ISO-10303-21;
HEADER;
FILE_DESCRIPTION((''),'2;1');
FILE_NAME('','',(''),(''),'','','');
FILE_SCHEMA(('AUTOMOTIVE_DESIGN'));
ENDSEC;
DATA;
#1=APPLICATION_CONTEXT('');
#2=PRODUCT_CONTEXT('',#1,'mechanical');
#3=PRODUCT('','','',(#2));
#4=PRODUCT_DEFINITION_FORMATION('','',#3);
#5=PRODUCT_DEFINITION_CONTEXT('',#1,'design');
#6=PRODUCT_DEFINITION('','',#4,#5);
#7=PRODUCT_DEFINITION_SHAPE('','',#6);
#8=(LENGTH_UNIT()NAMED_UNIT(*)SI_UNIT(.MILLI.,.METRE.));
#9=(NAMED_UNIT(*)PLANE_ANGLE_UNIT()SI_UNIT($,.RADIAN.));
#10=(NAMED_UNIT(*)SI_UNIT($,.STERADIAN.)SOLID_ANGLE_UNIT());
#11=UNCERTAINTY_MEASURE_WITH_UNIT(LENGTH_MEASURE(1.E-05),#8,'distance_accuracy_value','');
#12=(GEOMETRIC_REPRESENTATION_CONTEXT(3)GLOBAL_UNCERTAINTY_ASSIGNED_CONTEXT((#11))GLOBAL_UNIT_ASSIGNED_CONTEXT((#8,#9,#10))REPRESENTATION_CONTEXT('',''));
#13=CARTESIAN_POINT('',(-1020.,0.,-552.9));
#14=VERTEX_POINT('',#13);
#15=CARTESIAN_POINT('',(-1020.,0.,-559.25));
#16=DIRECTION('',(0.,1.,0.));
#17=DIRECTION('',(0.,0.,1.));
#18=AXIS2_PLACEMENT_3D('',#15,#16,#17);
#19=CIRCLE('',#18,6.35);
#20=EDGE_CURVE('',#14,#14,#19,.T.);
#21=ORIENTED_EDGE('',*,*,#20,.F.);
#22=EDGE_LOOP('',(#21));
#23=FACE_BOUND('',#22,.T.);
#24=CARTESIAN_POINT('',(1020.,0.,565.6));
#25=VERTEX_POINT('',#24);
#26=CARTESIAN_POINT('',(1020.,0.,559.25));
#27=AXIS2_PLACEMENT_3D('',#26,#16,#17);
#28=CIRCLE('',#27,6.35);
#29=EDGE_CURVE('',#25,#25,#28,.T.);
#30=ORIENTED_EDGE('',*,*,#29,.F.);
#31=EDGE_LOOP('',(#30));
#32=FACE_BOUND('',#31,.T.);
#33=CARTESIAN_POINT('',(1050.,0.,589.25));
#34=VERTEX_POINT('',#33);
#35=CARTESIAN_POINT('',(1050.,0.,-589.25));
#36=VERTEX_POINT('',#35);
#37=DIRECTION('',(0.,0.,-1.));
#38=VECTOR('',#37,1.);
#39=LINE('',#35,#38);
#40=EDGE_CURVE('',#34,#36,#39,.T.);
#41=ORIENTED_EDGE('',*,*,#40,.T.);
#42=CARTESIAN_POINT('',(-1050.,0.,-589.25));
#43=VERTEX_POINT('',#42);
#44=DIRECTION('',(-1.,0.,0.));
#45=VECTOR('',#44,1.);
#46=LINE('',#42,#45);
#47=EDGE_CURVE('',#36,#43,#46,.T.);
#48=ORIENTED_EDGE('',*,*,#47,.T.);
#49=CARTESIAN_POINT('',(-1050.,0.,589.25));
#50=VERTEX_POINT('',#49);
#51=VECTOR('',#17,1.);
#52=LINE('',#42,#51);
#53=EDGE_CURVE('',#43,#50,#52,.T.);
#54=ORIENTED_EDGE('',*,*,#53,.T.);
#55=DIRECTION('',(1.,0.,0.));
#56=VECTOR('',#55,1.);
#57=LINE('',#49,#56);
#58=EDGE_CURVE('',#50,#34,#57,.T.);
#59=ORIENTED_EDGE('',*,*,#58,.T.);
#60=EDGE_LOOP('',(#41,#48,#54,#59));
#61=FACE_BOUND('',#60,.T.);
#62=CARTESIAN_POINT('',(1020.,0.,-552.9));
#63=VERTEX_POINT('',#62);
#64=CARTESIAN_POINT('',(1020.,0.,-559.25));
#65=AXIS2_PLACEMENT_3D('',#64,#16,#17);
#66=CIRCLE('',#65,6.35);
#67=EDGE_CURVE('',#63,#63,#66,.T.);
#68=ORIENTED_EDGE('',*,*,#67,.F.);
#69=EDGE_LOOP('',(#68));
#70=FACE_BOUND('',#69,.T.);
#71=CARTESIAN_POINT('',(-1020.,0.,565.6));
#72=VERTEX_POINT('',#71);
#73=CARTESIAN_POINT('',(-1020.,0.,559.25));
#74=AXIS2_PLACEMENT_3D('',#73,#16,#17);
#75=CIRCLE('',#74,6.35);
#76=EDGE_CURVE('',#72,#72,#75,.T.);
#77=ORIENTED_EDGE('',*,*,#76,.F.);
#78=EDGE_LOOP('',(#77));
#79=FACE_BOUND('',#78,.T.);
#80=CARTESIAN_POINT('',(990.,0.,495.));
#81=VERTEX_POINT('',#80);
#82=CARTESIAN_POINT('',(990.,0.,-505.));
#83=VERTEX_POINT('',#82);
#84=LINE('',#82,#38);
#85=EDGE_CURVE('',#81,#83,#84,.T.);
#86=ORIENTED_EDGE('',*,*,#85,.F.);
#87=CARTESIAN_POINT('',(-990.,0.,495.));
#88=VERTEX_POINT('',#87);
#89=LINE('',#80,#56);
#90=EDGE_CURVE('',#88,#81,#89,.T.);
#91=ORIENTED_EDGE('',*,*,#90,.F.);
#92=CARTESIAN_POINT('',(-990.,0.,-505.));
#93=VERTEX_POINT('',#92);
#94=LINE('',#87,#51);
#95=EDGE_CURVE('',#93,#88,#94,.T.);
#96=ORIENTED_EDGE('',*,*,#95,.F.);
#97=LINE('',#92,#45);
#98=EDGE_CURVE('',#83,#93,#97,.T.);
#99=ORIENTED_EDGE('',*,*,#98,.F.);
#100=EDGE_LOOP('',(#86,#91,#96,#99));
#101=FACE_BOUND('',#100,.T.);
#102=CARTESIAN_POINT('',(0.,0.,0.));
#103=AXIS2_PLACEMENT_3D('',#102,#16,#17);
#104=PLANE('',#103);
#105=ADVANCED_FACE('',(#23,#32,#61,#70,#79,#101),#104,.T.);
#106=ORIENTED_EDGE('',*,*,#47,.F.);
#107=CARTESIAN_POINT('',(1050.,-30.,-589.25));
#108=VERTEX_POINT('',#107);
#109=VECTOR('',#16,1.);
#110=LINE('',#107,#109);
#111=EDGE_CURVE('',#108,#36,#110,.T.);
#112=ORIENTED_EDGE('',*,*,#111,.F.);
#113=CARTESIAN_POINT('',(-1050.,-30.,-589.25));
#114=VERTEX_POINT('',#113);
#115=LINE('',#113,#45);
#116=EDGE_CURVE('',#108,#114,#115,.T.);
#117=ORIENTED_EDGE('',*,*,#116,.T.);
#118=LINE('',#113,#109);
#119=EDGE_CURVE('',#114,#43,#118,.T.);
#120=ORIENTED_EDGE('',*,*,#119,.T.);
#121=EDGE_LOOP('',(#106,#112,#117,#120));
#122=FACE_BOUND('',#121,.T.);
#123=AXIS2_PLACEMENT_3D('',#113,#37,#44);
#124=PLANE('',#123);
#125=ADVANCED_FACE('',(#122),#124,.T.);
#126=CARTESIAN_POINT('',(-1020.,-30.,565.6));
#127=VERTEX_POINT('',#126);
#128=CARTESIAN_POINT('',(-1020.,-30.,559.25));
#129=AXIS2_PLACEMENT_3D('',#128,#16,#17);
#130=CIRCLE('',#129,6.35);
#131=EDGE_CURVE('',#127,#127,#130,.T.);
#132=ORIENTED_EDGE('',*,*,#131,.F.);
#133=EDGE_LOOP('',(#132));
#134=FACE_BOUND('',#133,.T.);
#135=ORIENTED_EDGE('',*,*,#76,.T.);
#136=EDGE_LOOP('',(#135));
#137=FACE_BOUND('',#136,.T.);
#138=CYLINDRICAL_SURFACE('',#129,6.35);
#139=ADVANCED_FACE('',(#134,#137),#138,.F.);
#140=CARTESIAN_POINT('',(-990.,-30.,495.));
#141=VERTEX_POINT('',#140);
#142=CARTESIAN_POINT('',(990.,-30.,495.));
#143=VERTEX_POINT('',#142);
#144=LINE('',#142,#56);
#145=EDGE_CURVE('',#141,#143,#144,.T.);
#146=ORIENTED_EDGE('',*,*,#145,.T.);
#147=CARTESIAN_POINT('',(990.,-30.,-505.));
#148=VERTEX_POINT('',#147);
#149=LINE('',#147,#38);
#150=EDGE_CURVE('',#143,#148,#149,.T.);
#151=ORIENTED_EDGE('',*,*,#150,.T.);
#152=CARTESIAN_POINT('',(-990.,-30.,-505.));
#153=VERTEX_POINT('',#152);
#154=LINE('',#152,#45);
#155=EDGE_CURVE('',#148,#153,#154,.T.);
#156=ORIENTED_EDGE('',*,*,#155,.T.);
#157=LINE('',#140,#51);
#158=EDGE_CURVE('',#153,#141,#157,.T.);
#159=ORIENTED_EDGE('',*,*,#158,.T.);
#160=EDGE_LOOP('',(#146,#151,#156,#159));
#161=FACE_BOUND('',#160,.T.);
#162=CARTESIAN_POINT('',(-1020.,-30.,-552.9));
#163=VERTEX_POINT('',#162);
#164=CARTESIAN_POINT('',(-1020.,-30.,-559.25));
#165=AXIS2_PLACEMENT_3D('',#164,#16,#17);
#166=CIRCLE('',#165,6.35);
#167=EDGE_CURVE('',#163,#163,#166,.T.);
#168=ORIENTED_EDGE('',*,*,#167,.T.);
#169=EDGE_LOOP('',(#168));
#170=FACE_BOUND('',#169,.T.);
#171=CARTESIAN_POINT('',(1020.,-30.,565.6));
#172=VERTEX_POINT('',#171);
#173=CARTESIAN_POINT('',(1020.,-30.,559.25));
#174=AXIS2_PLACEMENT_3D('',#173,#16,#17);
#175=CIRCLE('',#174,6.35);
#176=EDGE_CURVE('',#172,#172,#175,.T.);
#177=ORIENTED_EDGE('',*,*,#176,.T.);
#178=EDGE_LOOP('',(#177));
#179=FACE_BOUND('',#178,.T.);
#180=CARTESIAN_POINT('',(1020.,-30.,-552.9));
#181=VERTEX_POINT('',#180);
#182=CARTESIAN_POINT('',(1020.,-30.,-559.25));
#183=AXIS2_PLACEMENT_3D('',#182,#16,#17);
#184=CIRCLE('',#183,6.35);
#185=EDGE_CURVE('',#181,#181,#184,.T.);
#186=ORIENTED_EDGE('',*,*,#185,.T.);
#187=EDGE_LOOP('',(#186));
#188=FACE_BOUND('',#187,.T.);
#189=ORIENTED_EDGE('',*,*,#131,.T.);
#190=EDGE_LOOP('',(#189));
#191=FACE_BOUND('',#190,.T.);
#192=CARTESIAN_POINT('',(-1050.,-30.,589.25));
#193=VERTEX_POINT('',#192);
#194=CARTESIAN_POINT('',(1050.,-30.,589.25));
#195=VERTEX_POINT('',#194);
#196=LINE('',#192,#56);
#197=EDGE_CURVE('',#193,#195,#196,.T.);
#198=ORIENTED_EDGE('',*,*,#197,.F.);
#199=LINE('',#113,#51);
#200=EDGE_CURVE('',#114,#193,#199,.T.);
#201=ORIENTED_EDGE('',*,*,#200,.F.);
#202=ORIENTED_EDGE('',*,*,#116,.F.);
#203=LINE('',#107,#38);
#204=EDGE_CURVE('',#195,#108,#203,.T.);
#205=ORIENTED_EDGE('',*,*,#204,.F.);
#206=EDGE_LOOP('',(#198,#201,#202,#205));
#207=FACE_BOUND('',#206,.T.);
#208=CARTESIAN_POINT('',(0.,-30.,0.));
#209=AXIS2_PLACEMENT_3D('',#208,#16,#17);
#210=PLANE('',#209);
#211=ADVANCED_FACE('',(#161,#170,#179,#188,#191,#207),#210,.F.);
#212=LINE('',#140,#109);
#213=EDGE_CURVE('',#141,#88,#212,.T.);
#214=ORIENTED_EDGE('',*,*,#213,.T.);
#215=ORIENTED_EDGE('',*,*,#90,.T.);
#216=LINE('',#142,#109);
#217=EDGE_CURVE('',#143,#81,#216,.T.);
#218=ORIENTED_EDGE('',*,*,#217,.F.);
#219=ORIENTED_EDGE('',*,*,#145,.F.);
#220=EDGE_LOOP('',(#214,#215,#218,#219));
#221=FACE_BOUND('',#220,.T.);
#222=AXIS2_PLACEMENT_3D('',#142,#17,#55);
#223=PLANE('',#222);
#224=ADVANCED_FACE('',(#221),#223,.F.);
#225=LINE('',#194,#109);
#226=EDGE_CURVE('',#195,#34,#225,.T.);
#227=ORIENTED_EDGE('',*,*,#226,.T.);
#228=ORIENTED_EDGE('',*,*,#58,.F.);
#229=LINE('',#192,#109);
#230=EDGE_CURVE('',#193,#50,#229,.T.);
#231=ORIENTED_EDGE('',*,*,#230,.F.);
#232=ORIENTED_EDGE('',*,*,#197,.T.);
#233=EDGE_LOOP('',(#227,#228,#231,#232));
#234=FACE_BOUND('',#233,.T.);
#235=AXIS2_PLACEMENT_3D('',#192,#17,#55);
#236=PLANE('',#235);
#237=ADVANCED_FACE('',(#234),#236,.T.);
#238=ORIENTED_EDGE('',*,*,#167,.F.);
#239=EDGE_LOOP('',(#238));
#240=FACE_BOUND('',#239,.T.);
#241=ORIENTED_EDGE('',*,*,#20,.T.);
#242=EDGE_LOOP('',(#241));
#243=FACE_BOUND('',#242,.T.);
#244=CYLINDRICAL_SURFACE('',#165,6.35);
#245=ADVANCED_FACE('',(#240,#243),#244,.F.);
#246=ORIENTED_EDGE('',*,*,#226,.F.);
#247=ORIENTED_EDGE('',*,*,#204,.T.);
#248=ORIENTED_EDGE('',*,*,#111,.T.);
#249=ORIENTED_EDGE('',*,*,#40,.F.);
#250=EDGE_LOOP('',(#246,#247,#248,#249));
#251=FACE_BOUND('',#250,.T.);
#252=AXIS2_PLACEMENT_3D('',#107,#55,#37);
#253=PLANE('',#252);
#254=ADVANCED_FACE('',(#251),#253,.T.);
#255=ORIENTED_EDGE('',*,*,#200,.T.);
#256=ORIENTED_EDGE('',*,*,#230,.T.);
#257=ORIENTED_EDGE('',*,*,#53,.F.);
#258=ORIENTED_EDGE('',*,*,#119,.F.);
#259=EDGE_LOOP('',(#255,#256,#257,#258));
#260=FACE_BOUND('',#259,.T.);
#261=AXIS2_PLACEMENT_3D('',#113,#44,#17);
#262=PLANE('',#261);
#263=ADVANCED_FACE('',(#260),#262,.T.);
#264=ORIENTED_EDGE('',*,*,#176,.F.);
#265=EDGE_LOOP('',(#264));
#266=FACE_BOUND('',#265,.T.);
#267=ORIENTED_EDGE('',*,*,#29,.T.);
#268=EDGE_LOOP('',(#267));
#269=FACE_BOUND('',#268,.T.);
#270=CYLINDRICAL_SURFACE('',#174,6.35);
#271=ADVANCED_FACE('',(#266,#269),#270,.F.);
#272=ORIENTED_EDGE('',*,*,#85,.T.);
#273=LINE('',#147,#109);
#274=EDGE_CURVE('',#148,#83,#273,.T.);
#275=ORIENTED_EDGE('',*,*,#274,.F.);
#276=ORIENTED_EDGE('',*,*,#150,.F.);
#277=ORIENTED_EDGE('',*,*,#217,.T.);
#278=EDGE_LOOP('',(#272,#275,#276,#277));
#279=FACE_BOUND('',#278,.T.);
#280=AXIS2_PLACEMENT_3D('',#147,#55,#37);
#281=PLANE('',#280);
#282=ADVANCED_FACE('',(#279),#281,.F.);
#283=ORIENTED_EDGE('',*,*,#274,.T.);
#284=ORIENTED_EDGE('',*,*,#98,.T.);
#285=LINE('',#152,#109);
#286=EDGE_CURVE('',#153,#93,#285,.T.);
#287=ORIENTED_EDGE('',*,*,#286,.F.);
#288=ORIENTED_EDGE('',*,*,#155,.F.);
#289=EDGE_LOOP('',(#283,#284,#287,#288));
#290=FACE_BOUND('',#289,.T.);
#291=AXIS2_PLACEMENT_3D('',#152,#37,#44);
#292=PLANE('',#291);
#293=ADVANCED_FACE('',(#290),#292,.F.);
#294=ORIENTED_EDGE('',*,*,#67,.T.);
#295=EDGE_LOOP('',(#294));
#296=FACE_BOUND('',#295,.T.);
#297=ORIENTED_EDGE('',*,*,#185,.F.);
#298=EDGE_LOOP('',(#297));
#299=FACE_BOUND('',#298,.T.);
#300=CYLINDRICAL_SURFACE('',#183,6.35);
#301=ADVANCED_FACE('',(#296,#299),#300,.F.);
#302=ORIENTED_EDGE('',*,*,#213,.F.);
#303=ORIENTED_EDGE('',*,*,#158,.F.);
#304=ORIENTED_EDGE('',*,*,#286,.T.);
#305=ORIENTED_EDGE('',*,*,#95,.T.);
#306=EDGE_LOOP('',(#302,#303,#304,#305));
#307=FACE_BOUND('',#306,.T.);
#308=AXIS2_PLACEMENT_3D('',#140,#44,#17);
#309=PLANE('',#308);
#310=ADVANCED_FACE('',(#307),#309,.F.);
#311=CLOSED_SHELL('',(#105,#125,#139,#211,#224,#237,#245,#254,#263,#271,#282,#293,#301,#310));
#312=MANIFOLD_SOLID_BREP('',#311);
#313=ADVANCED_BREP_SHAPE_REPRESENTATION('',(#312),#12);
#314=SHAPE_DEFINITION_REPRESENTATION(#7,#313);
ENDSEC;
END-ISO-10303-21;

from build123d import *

# Parameters (mm, degrees)
SKETCH1_W           = 2100
SKETCH1_H           = 1178.5
SKETCH1_W_2         = 1980
SKETCH1_H_2         = 1000
BOSS_EXTRUDE1_DEPTH = 30
SKETCH2_R           = 6.35
CUT_EXTRUDE1_DEPTH  = 1205.415029174


with BuildPart() as part:
    # Sketch1 → Boss-Extrude1 (new body)
    with BuildSketch(Plane(origin=(0, 0, 0), x_dir=(1, 0, 0), z_dir=(0, 1, 0))):
        Rectangle(SKETCH1_W, SKETCH1_H)
        with Locations((0, 5)):
            Rectangle(SKETCH1_W_2, SKETCH1_H_2, mode=Mode.SUBTRACT)
    extrude(amount=-BOSS_EXTRUDE1_DEPTH)

    # Sketch2 → Cut-Extrude1 (cut, through all)
    with BuildSketch(Plane(origin=(0, 0, 0), x_dir=(1, 0, 0), z_dir=(0, 1, 0))):
        with Locations(Location((-1020, 559.25, 0), (0, 0, 270))):
            Circle(SKETCH2_R)
        with Locations(Location((-1020, -559.25, 0), (0, 0, 270))):
            Circle(SKETCH2_R)
        with Locations(Location((1020, 559.25, 0), (0, 0, 270))):
            Circle(SKETCH2_R)
        with Locations(Location((1020, -559.25, 0), (0, 0, 270))):
            Circle(SKETCH2_R)
    extrude(amount=-CUT_EXTRUDE1_DEPTH, mode=Mode.SUBTRACT)


solid = part.part
